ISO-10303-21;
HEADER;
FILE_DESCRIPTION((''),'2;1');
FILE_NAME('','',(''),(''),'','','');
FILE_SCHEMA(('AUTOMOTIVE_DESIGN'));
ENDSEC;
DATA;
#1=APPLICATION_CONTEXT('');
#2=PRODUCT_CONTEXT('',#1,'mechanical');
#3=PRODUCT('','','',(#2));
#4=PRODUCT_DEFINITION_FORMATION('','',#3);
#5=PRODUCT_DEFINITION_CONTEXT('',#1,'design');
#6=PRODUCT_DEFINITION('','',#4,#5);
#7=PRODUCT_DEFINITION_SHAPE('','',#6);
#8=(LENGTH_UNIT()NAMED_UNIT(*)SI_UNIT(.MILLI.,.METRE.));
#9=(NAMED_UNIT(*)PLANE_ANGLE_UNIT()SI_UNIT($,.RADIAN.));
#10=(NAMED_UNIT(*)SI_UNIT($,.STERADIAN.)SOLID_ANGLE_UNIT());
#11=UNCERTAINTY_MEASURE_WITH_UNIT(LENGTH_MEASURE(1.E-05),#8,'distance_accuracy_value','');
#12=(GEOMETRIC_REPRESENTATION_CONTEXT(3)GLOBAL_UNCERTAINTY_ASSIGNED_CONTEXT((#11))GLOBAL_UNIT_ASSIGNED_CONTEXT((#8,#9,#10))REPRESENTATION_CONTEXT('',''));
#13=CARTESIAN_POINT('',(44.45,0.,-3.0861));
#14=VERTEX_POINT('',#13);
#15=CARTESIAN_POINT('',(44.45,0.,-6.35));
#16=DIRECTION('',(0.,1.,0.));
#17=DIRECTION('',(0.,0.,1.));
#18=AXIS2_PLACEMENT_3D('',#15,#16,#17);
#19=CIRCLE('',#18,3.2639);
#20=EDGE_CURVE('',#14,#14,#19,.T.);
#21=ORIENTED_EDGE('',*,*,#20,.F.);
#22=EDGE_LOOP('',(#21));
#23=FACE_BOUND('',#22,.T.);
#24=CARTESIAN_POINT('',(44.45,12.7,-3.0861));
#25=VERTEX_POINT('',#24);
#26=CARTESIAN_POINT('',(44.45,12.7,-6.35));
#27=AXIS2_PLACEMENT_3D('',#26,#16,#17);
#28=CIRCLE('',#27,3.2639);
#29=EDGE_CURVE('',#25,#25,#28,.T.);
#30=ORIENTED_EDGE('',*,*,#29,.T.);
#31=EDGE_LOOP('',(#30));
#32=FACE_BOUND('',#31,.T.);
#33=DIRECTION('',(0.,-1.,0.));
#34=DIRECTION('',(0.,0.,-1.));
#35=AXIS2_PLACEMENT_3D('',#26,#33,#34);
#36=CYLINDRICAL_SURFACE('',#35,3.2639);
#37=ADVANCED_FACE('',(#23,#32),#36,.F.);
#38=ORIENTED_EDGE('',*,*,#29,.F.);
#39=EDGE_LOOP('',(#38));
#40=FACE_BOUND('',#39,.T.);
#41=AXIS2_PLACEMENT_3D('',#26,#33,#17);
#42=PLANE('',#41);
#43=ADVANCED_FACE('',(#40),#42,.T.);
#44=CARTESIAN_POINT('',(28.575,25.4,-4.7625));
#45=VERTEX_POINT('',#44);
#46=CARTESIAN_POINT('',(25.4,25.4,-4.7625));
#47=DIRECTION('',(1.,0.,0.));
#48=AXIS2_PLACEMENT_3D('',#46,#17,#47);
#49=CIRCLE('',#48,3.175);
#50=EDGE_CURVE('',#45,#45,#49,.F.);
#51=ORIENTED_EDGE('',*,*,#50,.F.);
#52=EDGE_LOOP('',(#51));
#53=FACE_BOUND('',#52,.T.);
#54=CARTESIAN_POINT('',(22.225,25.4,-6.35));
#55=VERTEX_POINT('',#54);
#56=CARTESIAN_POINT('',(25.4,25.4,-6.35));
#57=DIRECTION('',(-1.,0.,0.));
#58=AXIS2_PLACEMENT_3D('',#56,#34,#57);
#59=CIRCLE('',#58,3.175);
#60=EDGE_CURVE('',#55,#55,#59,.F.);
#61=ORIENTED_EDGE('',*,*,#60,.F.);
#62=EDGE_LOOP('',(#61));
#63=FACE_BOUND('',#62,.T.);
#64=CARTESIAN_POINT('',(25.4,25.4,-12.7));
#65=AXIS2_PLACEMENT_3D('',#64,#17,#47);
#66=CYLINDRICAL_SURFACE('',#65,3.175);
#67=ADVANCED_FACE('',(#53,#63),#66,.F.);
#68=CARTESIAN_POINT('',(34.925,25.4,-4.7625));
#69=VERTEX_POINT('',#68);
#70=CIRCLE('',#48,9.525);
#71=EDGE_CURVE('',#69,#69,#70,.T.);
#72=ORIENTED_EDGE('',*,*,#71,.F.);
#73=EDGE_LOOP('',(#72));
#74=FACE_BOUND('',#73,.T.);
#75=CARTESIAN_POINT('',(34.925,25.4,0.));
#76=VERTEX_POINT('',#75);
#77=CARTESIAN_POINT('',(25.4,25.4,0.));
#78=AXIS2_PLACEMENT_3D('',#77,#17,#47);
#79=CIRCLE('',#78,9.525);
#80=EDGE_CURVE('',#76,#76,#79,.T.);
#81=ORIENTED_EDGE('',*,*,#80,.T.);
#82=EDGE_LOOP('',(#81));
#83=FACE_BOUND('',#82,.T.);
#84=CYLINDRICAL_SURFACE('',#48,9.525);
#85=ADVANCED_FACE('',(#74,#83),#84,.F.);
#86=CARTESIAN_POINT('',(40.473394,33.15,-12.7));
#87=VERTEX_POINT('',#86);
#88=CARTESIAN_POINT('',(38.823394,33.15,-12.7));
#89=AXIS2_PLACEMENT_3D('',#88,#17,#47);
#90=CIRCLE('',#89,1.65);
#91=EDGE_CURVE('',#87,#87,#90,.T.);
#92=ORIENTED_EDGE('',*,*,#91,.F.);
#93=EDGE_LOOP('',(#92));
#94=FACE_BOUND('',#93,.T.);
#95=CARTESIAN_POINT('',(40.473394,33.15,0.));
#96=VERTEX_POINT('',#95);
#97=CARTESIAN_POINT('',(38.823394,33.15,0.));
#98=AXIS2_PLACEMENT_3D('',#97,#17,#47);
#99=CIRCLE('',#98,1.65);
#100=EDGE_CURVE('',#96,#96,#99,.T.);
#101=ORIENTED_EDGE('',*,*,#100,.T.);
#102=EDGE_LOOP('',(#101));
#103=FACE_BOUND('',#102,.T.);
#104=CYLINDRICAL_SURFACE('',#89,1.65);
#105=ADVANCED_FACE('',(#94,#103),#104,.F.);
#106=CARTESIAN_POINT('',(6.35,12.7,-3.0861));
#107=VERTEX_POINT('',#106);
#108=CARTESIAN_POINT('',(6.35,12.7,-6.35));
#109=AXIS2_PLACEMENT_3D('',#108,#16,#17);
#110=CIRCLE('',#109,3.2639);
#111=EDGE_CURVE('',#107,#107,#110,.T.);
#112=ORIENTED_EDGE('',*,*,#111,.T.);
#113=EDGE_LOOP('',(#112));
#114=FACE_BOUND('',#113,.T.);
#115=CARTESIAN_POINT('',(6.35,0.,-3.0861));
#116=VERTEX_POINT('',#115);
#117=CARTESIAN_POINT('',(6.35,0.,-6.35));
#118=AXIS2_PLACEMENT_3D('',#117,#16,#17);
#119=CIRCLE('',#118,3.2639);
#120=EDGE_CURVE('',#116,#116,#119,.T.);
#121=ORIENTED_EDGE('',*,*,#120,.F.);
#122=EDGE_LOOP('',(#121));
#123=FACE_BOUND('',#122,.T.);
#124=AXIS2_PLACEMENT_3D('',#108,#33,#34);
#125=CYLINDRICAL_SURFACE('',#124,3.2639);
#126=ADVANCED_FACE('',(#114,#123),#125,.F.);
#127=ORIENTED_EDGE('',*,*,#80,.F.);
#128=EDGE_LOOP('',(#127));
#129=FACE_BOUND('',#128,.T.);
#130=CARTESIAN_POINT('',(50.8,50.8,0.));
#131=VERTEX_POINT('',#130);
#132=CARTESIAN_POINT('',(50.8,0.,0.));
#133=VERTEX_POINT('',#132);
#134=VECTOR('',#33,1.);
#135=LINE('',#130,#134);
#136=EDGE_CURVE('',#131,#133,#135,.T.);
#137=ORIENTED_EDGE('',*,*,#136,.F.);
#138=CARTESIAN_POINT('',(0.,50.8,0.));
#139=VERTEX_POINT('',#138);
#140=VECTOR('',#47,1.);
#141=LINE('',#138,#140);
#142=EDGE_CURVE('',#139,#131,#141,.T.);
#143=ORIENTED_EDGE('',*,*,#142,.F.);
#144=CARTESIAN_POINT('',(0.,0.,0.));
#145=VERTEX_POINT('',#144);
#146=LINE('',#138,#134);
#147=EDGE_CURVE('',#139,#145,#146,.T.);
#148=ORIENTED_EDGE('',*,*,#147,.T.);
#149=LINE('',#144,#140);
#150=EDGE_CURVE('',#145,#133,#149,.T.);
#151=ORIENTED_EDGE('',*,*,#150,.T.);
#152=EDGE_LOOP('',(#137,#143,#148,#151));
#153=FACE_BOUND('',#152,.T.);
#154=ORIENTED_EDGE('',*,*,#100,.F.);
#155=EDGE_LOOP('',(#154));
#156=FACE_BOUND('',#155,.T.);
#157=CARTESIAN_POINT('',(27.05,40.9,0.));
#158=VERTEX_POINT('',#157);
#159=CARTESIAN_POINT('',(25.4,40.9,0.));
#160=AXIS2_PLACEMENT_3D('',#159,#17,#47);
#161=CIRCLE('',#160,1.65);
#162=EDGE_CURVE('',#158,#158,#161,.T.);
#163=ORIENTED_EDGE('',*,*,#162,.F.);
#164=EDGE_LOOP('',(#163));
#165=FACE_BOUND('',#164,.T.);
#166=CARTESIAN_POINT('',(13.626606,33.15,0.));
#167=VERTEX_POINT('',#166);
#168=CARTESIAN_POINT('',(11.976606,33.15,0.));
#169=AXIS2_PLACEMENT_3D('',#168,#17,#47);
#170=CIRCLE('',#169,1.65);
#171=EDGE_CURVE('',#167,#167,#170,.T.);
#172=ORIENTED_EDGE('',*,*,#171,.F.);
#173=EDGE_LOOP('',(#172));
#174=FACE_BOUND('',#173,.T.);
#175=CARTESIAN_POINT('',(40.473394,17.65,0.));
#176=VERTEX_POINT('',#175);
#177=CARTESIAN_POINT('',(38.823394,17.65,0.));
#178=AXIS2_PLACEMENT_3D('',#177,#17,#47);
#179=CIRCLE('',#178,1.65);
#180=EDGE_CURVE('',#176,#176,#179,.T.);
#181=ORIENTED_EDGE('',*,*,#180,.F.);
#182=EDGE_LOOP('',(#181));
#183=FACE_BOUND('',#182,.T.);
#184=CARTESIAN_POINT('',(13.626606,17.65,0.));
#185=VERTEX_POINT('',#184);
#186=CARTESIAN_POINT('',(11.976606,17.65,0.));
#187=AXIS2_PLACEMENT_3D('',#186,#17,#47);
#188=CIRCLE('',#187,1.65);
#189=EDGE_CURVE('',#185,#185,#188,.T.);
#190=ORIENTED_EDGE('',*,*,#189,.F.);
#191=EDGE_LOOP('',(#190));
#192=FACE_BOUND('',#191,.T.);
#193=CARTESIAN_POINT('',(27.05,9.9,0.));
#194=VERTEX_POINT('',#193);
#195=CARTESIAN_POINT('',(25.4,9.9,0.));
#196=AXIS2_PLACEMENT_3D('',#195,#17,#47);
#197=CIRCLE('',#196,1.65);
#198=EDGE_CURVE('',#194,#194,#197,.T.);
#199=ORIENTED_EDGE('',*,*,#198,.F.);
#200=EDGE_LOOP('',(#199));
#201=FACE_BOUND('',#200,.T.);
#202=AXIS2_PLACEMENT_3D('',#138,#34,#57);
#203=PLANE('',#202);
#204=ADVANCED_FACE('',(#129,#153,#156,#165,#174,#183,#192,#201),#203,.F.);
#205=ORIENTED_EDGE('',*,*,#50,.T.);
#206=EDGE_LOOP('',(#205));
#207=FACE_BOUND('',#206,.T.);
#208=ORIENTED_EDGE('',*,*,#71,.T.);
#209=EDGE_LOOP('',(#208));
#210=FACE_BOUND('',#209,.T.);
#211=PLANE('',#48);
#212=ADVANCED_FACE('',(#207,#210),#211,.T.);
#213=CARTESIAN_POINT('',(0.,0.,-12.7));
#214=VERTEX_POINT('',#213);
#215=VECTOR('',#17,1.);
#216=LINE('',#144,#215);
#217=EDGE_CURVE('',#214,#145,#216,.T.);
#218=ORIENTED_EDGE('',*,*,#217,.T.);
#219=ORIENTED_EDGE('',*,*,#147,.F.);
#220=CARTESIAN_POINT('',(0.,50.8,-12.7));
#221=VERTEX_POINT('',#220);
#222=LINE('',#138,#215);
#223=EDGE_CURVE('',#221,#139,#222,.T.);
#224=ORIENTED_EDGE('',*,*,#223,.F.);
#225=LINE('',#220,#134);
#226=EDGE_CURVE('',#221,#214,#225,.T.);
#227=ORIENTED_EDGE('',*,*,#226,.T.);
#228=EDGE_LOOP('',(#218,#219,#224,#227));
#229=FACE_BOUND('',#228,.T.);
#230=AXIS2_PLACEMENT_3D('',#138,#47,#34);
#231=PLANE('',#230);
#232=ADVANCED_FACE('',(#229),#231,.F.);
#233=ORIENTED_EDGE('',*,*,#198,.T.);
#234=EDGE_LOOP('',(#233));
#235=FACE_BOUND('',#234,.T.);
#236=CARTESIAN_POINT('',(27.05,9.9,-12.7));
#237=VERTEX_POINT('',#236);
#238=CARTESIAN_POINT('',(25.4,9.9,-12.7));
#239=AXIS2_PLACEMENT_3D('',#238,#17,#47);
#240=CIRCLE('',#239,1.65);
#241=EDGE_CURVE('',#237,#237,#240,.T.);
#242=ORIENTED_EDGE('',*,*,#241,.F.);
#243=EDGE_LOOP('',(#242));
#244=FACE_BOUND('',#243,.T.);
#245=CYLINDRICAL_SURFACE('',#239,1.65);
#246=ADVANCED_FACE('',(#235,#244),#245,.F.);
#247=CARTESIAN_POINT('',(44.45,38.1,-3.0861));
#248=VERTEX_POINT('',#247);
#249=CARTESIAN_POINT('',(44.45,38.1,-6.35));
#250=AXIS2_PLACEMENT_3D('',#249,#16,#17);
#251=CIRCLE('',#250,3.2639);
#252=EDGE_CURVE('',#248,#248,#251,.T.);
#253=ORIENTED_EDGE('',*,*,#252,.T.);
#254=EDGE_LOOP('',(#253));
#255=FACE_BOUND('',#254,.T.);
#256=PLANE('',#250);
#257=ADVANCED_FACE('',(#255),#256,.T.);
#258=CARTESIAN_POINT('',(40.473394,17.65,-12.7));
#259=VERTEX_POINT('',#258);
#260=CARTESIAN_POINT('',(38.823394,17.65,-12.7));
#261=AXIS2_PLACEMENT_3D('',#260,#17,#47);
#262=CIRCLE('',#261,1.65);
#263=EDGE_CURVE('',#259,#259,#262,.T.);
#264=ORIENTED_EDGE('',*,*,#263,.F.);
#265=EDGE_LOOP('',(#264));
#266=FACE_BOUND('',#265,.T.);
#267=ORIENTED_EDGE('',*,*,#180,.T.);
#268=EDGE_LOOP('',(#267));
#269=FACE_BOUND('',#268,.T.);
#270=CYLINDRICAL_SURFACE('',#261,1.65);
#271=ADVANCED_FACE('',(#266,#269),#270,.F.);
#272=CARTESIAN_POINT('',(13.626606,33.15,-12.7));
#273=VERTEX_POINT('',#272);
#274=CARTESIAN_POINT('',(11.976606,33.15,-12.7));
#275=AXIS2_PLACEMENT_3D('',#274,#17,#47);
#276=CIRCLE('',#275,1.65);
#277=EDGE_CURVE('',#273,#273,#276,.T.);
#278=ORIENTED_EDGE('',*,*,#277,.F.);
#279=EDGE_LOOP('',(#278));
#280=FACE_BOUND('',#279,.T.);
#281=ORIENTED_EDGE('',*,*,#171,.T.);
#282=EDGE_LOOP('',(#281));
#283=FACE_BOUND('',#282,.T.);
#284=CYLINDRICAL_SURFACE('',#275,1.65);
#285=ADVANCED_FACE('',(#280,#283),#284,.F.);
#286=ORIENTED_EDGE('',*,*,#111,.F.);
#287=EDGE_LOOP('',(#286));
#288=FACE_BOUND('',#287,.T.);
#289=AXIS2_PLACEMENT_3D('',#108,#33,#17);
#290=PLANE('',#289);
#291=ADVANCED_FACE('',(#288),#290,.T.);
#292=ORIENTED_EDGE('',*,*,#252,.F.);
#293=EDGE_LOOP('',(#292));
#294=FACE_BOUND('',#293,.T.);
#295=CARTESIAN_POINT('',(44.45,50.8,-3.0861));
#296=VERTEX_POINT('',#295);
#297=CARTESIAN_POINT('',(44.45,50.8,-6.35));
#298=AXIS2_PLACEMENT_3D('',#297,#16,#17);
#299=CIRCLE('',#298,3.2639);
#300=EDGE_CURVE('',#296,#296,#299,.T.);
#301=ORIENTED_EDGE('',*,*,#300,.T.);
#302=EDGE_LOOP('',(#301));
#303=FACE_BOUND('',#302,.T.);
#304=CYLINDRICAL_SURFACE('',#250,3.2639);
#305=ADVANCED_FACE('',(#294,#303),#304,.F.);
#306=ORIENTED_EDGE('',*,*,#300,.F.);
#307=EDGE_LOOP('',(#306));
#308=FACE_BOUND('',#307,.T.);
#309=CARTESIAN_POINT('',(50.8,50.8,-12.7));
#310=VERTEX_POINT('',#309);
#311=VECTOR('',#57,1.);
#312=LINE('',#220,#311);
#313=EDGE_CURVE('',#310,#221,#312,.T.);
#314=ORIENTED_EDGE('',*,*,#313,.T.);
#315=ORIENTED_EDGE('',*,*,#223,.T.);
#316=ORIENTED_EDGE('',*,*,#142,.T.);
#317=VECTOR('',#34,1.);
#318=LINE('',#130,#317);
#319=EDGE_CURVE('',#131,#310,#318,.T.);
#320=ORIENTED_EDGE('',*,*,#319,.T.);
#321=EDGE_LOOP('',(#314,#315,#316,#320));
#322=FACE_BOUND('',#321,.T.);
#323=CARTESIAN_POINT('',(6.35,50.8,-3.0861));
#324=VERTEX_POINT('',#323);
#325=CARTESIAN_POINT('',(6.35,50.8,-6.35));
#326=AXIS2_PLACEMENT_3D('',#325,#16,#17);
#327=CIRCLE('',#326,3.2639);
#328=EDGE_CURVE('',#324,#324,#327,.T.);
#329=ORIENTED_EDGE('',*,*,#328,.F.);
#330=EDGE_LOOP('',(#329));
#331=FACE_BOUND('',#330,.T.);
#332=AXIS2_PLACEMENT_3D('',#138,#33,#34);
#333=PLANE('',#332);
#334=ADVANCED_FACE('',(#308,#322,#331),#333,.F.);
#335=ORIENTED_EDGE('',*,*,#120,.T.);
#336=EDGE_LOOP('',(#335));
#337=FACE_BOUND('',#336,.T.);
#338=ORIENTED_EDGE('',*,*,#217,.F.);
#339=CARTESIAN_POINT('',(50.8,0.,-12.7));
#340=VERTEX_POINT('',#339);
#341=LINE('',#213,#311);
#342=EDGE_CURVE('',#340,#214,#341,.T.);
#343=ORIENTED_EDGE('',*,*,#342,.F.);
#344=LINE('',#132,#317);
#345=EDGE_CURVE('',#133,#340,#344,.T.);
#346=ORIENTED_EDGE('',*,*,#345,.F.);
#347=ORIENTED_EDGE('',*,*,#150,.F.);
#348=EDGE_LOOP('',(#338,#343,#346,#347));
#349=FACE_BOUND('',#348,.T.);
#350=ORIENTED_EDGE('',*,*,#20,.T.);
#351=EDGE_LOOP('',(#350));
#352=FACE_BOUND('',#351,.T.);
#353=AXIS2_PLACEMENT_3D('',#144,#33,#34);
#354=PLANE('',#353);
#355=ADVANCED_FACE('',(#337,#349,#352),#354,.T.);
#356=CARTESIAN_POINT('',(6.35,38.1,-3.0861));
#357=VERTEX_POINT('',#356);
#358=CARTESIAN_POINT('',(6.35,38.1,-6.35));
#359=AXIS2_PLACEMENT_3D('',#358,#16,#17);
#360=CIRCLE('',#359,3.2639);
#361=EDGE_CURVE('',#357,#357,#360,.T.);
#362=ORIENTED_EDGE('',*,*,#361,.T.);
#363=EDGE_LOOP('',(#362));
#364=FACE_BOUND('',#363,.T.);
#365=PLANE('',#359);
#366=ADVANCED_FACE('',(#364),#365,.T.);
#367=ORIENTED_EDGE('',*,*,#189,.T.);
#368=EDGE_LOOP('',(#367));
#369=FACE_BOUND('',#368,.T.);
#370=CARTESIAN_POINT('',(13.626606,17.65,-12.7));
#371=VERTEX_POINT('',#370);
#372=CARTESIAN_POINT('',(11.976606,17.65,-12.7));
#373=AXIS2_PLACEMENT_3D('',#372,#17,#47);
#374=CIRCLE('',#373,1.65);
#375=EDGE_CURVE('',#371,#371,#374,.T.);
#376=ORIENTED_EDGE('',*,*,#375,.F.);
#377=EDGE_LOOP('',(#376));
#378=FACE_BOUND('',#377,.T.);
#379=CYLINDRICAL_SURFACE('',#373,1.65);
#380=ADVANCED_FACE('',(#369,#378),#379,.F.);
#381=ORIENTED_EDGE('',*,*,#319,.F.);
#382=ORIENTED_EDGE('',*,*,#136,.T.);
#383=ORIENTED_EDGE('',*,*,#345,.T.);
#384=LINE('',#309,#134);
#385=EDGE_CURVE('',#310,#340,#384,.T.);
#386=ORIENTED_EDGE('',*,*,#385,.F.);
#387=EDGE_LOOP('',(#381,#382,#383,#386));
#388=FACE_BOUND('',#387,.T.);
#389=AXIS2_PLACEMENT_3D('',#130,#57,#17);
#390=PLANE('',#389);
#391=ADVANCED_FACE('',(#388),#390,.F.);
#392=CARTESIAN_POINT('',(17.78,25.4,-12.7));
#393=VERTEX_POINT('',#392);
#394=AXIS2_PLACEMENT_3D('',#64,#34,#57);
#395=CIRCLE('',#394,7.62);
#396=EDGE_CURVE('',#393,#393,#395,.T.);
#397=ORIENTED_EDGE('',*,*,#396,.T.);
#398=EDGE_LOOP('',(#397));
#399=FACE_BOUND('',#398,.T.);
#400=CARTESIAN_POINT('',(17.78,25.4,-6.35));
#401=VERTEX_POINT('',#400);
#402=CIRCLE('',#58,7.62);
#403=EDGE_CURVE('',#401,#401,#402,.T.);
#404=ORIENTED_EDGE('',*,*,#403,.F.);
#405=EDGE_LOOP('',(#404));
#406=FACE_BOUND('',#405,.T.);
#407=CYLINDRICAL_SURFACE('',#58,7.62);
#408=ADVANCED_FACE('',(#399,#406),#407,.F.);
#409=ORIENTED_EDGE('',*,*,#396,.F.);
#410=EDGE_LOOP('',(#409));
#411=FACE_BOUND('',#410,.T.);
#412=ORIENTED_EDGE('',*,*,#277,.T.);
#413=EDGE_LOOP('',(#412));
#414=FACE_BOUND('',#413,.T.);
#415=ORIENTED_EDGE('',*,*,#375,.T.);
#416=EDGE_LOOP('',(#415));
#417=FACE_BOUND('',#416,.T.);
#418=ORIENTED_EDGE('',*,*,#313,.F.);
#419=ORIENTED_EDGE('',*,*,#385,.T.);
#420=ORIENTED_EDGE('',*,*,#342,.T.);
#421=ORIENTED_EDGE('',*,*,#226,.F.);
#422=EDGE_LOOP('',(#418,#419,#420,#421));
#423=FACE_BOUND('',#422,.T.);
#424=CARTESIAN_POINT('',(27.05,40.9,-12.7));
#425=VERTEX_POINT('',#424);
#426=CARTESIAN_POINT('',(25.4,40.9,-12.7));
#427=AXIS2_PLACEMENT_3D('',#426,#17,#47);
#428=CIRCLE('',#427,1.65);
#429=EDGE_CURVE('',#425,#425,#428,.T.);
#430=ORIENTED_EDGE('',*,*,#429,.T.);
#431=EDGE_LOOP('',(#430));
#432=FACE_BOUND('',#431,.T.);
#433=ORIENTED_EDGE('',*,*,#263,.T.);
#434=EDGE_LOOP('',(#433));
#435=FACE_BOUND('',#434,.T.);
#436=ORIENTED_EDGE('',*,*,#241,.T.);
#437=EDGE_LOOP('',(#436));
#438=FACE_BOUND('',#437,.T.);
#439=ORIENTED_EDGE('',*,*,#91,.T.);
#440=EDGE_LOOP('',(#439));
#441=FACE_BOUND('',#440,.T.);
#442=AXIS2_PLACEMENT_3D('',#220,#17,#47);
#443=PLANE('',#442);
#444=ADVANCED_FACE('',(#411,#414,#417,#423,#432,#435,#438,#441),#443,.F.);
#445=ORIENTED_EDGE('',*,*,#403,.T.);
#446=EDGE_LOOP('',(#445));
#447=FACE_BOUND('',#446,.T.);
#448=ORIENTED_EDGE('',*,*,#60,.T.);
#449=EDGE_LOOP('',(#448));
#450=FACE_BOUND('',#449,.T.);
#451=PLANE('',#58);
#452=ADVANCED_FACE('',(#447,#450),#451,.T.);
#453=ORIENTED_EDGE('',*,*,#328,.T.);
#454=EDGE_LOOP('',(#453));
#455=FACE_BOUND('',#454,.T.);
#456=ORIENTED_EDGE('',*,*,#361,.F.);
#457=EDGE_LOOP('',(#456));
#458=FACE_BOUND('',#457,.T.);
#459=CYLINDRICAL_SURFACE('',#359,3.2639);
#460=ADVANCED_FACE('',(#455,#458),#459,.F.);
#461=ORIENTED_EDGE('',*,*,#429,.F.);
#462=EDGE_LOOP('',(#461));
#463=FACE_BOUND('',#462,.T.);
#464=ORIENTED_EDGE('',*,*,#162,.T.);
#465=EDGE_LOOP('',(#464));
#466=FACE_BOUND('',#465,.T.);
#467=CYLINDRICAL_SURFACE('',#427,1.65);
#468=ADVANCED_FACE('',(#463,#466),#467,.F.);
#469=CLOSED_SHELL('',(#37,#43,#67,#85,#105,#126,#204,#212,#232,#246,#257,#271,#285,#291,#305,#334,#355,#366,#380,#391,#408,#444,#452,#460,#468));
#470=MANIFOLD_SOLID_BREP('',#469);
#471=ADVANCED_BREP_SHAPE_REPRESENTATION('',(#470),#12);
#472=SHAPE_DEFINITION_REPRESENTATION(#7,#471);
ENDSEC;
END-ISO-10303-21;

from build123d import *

# Parameters (mm, degrees)
SKETCH1_W           = 50.8
SKETCH1_H           = 12.7
BOSS_EXTRUDE1_DEPTH = 50.8
SKETCH2_R           = 3.175
CUT_EXTRUDE1_DEPTH  = 13.7
SKETCH3_R           = 9.525
CUT_EXTRUDE2_DEPTH  = 4.7625
SKETCH4_R           = 3.2639
CUT_EXTRUDE3_DEPTH  = 12.7
SKETCH5_R           = 1.65
CUT_EXTRUDE4_DEPTH  = 13.7
SKETCH6_R           = 7.62
CUT_EXTRUDE5_DEPTH  = 6.35


with BuildPart() as part:
    # Sketch1 → Boss-Extrude1 (new body)
    with BuildSketch(Plane(origin=(0, 0, 0), x_dir=(1, 0, 0), z_dir=(0, 1, 0))):
        with Locations((25.4, 6.35)):
            Rectangle(SKETCH1_W, SKETCH1_H)
    extrude(amount=BOSS_EXTRUDE1_DEPTH)

    # Sketch2 → Cut-Extrude1 (cut, through all)
    with BuildSketch(Plane.XY):
        with Locations((25.4, 25.4)):
            Circle(SKETCH2_R)
    extrude(amount=-CUT_EXTRUDE1_DEPTH, mode=Mode.SUBTRACT)

    # Sketch3 → Cut-Extrude2 (cut)
    with BuildSketch(Plane.XY):
        with Locations((25.4, 25.4)):
            Circle(SKETCH3_R)
    extrude(amount=-CUT_EXTRUDE2_DEPTH, mode=Mode.SUBTRACT)

    # Sketch4 → Cut-Extrude3 (cut)
    with BuildSketch(Plane(origin=(0, 50.8, 0), x_dir=(1, 0, 0), z_dir=(0, 1, 0))):
        with Locations((6.35, 6.35)):
            Circle(SKETCH4_R)
        with Locations((44.45, 6.35)):
            Circle(SKETCH4_R)
    cut_extrude3 = extrude(amount=-CUT_EXTRUDE3_DEPTH, mode=Mode.SUBTRACT)

    # Mirror1: Cut-Extrude3 across plane
    add(cut_extrude3.mirror(Plane.ZX.offset(25.4)), mode=Mode.SUBTRACT)

    # Sketch5 → Cut-Extrude4 (cut, through all)
    with BuildSketch(Plane.XY):
        with Locations((25.4, 40.9)):
            Circle(SKETCH5_R)
        with Locations((38.823393759, 33.15)):
            Circle(SKETCH5_R)
        with Locations((38.823393759, 17.65)):
            Circle(SKETCH5_R)
        with Locations((25.4, 9.9)):
            Circle(SKETCH5_R)
        with Locations((11.976606241, 17.65)):
            Circle(SKETCH5_R)
        with Locations((11.976606241, 33.15)):
            Circle(SKETCH5_R)
    extrude(amount=-CUT_EXTRUDE4_DEPTH, mode=Mode.SUBTRACT)

    # Sketch6 → Cut-Extrude5 (cut)
    with BuildSketch(Plane(origin=(0, 0, -12.7), x_dir=(-1, 0, 0), z_dir=(0, 0, -1))):
        with Locations((-25.4, 25.4)):
            Circle(SKETCH6_R)
    extrude(amount=-CUT_EXTRUDE5_DEPTH, mode=Mode.SUBTRACT)


solid = part.part
